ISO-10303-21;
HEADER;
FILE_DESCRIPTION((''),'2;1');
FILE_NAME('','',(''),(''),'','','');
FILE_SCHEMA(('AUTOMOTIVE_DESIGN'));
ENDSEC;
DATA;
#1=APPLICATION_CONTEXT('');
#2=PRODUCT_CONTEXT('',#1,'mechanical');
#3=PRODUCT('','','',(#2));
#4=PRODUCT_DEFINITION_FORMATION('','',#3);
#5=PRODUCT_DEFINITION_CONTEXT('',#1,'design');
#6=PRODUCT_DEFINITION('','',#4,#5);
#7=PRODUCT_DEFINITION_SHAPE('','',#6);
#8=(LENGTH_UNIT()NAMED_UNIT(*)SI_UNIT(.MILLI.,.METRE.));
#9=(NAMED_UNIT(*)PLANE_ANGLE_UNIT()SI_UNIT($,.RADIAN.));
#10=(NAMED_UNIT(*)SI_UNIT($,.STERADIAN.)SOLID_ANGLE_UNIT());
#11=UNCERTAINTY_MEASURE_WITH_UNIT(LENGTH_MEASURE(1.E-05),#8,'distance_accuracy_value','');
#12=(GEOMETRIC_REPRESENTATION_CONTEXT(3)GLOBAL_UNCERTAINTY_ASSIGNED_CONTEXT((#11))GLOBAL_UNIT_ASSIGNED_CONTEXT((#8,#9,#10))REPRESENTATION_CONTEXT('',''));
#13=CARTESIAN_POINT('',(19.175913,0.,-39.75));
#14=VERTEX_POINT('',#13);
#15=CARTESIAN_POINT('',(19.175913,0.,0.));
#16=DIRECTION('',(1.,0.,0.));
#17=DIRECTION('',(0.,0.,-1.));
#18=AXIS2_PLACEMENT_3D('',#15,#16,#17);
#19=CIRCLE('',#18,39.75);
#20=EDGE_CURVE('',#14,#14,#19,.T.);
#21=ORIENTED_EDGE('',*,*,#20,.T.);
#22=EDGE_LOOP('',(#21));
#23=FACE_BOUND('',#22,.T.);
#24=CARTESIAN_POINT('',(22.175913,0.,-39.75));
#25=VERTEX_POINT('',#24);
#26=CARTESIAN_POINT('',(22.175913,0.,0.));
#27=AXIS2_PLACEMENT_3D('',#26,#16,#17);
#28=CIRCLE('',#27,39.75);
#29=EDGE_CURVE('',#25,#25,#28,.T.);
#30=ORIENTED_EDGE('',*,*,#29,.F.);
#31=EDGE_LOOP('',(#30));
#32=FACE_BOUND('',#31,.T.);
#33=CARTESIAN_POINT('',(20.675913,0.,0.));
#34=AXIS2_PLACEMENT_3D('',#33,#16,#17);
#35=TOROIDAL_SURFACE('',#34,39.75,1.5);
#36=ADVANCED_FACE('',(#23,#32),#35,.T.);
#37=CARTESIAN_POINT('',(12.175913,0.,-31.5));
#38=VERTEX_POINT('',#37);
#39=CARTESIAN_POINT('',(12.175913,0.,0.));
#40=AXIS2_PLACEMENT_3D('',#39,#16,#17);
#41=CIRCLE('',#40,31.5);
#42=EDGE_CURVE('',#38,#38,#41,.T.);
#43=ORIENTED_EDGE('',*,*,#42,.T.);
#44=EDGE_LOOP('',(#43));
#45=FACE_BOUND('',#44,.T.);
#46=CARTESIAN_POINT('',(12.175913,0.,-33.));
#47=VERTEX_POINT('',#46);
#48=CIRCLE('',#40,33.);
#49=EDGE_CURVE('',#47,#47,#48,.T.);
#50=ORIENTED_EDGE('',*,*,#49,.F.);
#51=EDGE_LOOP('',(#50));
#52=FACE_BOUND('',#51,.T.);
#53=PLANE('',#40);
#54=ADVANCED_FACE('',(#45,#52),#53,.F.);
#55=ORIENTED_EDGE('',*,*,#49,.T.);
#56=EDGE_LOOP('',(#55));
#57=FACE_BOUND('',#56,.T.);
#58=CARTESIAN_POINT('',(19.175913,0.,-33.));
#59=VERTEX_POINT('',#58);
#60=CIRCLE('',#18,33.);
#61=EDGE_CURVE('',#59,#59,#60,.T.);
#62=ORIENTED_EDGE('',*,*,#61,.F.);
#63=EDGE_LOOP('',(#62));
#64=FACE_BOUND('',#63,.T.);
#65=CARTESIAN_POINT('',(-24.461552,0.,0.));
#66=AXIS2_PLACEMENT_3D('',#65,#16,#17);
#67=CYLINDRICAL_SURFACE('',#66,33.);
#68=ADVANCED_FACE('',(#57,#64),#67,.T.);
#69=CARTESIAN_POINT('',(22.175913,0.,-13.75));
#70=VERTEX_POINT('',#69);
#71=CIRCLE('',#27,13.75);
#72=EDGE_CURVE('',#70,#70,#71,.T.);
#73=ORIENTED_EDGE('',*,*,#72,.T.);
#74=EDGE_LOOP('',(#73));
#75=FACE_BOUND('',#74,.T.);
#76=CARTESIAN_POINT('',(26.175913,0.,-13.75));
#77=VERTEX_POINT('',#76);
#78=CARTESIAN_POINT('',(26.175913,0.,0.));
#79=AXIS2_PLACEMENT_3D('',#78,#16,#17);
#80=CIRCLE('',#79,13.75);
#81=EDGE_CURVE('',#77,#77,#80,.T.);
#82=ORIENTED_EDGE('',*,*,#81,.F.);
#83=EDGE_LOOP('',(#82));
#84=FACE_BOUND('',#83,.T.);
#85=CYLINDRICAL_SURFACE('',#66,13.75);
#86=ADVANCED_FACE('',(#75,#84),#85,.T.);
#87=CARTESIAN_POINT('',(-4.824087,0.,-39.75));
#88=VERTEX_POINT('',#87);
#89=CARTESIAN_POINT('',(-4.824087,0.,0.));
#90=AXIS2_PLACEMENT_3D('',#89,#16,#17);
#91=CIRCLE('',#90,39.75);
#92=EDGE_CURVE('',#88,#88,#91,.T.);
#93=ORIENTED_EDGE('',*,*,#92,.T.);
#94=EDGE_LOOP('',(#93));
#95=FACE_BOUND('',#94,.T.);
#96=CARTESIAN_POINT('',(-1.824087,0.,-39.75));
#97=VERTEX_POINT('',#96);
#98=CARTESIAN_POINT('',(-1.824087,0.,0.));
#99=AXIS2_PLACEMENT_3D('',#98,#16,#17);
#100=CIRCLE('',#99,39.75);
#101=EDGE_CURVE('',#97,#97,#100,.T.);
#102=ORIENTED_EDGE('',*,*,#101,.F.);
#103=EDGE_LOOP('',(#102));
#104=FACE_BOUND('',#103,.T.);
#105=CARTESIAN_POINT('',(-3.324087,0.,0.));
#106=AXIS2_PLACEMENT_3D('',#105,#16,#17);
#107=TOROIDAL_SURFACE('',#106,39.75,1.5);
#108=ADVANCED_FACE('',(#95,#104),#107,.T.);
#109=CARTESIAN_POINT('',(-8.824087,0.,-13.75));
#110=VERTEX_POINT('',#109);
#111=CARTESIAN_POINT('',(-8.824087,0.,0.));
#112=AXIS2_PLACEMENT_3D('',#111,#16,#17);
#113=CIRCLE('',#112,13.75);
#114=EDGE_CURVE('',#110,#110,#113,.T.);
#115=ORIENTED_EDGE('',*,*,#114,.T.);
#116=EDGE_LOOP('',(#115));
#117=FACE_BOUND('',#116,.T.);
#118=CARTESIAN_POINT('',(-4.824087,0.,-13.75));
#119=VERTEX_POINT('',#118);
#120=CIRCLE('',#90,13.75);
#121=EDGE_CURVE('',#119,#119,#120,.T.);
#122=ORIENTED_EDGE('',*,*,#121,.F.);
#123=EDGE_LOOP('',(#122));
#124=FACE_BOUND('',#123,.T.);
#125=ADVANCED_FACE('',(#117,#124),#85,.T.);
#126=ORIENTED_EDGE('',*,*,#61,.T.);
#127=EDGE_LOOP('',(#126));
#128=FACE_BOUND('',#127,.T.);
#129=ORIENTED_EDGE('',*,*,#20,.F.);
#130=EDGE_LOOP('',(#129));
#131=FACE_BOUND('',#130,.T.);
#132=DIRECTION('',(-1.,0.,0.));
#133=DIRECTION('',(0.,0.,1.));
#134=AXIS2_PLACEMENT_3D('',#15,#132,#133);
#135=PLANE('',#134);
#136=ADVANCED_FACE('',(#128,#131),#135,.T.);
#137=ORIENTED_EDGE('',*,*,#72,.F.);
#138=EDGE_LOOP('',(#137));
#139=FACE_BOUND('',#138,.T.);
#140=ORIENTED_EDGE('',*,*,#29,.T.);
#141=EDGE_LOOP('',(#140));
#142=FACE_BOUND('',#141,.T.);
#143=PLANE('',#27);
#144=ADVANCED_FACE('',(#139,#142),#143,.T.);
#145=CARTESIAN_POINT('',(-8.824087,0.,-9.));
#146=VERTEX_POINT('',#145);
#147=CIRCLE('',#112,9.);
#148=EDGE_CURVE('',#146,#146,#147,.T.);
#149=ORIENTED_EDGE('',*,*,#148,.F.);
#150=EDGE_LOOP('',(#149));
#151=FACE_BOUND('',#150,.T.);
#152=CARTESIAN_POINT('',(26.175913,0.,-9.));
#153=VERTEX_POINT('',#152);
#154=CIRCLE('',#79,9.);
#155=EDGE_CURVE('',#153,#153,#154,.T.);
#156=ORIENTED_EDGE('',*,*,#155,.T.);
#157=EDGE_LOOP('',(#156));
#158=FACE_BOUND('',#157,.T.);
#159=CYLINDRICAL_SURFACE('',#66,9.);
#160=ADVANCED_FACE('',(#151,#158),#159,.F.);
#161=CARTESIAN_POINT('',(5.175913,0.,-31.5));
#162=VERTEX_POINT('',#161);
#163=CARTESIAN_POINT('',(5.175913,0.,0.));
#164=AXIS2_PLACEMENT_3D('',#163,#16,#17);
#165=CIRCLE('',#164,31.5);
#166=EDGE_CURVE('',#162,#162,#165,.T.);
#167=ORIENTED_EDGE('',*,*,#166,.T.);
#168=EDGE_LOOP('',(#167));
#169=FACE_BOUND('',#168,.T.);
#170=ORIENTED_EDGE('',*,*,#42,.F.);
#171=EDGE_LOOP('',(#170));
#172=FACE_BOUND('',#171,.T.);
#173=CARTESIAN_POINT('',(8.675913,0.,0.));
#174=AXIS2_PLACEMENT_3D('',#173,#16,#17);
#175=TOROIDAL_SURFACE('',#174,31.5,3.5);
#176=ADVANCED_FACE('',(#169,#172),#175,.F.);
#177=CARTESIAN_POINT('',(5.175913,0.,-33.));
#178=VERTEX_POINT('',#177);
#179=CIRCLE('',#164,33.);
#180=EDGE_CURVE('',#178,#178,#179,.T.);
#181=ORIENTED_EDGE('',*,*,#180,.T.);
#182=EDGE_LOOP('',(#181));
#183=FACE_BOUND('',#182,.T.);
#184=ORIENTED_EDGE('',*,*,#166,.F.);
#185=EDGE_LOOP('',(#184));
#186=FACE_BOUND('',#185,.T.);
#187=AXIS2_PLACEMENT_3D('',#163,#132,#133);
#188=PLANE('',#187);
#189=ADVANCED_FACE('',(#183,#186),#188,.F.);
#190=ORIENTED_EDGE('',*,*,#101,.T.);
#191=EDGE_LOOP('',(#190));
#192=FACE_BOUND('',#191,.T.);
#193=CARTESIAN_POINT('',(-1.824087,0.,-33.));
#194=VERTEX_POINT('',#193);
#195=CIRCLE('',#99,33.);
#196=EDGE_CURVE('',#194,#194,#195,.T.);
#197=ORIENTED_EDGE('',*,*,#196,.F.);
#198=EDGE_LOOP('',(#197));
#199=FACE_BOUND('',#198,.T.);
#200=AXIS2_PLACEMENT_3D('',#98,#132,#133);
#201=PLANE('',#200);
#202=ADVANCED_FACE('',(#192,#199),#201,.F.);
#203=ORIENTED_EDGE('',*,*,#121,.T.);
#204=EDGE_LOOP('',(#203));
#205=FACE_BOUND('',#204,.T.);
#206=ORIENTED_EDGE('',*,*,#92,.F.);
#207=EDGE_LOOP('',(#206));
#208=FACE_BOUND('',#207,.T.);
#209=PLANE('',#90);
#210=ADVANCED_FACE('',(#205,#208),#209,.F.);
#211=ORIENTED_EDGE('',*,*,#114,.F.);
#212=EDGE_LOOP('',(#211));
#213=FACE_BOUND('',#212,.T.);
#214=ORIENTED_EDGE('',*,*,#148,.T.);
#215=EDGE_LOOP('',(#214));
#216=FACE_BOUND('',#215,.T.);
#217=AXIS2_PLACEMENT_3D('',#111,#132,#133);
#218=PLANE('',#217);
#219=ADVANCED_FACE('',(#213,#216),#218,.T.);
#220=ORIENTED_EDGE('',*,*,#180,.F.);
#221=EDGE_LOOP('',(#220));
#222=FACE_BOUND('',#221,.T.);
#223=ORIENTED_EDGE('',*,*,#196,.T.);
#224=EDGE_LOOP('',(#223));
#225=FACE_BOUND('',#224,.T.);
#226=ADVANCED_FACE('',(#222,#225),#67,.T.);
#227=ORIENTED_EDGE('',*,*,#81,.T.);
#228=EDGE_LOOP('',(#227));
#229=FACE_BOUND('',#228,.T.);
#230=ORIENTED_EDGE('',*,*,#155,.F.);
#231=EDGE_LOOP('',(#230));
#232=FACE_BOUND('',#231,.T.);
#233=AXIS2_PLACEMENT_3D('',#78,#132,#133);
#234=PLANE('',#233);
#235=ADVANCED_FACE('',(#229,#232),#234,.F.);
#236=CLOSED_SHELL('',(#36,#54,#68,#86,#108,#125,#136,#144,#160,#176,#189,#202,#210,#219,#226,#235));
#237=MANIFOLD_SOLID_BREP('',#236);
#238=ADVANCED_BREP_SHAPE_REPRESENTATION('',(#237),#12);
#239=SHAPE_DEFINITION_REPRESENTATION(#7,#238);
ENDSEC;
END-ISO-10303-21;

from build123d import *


with BuildPart() as part:
    # Sketch1 → Revolve1 (revolve)
    with BuildSketch(Plane.XY, mode=Mode.PRIVATE) as revolve1_sk:
        with BuildLine():
            Line((-8.824086632, 9), (8.675913368, 9))
            Line((8.675913368, 9), (8.675913368, 28))
            ThreePointArc((8.675913368, 28), (6.201039634, 29.025126266), (5.175913368, 31.5))
            Line((5.175913368, 31.5), (5.175913368, 33))
            Line((5.175913368, 33), (-1.824086632, 33))
            Line((-1.824086632, 33), (-1.824086632, 39.75))
            ThreePointArc((-1.824086632, 39.75), (-3.324086632, 41.25), (-4.824086632, 39.75))
            Line((-4.824086632, 39.75), (-4.824086632, 13.75))
            Line((-4.824086632, 13.75), (-8.824086632, 13.75))
            Line((-8.824086632, 13.75), (-8.824086632, 9))
        make_face()
        with BuildLine():
            Line((26.175913368, 9), (26.175913368, 13.75))
            Line((26.175913368, 13.75), (22.175913368, 13.75))
            Line((22.175913368, 13.75), (22.175913368, 39.75))
            ThreePointArc((22.175913368, 39.75), (20.675913368, 41.25), (19.175913368, 39.75))
            Line((19.175913368, 39.75), (19.175913368, 33))
            Line((19.175913368, 33), (12.175913368, 33))
            Line((12.175913368, 33), (12.175913368, 31.5))
            ThreePointArc((12.175913368, 31.5), (11.150787102, 29.025126266), (8.675913368, 28))
            Line((8.675913368, 28), (8.675913368, 9))
            Line((8.675913368, 9), (26.175913368, 9))
        make_face()
    revolve(revolve1_sk.sketch.rotate(Axis((-24.461552005, 0, 0), (1, 0, 0)), 270), axis=Axis((-24.461552005, 0, 0), (1, 0, 0)))


solid = part.part
